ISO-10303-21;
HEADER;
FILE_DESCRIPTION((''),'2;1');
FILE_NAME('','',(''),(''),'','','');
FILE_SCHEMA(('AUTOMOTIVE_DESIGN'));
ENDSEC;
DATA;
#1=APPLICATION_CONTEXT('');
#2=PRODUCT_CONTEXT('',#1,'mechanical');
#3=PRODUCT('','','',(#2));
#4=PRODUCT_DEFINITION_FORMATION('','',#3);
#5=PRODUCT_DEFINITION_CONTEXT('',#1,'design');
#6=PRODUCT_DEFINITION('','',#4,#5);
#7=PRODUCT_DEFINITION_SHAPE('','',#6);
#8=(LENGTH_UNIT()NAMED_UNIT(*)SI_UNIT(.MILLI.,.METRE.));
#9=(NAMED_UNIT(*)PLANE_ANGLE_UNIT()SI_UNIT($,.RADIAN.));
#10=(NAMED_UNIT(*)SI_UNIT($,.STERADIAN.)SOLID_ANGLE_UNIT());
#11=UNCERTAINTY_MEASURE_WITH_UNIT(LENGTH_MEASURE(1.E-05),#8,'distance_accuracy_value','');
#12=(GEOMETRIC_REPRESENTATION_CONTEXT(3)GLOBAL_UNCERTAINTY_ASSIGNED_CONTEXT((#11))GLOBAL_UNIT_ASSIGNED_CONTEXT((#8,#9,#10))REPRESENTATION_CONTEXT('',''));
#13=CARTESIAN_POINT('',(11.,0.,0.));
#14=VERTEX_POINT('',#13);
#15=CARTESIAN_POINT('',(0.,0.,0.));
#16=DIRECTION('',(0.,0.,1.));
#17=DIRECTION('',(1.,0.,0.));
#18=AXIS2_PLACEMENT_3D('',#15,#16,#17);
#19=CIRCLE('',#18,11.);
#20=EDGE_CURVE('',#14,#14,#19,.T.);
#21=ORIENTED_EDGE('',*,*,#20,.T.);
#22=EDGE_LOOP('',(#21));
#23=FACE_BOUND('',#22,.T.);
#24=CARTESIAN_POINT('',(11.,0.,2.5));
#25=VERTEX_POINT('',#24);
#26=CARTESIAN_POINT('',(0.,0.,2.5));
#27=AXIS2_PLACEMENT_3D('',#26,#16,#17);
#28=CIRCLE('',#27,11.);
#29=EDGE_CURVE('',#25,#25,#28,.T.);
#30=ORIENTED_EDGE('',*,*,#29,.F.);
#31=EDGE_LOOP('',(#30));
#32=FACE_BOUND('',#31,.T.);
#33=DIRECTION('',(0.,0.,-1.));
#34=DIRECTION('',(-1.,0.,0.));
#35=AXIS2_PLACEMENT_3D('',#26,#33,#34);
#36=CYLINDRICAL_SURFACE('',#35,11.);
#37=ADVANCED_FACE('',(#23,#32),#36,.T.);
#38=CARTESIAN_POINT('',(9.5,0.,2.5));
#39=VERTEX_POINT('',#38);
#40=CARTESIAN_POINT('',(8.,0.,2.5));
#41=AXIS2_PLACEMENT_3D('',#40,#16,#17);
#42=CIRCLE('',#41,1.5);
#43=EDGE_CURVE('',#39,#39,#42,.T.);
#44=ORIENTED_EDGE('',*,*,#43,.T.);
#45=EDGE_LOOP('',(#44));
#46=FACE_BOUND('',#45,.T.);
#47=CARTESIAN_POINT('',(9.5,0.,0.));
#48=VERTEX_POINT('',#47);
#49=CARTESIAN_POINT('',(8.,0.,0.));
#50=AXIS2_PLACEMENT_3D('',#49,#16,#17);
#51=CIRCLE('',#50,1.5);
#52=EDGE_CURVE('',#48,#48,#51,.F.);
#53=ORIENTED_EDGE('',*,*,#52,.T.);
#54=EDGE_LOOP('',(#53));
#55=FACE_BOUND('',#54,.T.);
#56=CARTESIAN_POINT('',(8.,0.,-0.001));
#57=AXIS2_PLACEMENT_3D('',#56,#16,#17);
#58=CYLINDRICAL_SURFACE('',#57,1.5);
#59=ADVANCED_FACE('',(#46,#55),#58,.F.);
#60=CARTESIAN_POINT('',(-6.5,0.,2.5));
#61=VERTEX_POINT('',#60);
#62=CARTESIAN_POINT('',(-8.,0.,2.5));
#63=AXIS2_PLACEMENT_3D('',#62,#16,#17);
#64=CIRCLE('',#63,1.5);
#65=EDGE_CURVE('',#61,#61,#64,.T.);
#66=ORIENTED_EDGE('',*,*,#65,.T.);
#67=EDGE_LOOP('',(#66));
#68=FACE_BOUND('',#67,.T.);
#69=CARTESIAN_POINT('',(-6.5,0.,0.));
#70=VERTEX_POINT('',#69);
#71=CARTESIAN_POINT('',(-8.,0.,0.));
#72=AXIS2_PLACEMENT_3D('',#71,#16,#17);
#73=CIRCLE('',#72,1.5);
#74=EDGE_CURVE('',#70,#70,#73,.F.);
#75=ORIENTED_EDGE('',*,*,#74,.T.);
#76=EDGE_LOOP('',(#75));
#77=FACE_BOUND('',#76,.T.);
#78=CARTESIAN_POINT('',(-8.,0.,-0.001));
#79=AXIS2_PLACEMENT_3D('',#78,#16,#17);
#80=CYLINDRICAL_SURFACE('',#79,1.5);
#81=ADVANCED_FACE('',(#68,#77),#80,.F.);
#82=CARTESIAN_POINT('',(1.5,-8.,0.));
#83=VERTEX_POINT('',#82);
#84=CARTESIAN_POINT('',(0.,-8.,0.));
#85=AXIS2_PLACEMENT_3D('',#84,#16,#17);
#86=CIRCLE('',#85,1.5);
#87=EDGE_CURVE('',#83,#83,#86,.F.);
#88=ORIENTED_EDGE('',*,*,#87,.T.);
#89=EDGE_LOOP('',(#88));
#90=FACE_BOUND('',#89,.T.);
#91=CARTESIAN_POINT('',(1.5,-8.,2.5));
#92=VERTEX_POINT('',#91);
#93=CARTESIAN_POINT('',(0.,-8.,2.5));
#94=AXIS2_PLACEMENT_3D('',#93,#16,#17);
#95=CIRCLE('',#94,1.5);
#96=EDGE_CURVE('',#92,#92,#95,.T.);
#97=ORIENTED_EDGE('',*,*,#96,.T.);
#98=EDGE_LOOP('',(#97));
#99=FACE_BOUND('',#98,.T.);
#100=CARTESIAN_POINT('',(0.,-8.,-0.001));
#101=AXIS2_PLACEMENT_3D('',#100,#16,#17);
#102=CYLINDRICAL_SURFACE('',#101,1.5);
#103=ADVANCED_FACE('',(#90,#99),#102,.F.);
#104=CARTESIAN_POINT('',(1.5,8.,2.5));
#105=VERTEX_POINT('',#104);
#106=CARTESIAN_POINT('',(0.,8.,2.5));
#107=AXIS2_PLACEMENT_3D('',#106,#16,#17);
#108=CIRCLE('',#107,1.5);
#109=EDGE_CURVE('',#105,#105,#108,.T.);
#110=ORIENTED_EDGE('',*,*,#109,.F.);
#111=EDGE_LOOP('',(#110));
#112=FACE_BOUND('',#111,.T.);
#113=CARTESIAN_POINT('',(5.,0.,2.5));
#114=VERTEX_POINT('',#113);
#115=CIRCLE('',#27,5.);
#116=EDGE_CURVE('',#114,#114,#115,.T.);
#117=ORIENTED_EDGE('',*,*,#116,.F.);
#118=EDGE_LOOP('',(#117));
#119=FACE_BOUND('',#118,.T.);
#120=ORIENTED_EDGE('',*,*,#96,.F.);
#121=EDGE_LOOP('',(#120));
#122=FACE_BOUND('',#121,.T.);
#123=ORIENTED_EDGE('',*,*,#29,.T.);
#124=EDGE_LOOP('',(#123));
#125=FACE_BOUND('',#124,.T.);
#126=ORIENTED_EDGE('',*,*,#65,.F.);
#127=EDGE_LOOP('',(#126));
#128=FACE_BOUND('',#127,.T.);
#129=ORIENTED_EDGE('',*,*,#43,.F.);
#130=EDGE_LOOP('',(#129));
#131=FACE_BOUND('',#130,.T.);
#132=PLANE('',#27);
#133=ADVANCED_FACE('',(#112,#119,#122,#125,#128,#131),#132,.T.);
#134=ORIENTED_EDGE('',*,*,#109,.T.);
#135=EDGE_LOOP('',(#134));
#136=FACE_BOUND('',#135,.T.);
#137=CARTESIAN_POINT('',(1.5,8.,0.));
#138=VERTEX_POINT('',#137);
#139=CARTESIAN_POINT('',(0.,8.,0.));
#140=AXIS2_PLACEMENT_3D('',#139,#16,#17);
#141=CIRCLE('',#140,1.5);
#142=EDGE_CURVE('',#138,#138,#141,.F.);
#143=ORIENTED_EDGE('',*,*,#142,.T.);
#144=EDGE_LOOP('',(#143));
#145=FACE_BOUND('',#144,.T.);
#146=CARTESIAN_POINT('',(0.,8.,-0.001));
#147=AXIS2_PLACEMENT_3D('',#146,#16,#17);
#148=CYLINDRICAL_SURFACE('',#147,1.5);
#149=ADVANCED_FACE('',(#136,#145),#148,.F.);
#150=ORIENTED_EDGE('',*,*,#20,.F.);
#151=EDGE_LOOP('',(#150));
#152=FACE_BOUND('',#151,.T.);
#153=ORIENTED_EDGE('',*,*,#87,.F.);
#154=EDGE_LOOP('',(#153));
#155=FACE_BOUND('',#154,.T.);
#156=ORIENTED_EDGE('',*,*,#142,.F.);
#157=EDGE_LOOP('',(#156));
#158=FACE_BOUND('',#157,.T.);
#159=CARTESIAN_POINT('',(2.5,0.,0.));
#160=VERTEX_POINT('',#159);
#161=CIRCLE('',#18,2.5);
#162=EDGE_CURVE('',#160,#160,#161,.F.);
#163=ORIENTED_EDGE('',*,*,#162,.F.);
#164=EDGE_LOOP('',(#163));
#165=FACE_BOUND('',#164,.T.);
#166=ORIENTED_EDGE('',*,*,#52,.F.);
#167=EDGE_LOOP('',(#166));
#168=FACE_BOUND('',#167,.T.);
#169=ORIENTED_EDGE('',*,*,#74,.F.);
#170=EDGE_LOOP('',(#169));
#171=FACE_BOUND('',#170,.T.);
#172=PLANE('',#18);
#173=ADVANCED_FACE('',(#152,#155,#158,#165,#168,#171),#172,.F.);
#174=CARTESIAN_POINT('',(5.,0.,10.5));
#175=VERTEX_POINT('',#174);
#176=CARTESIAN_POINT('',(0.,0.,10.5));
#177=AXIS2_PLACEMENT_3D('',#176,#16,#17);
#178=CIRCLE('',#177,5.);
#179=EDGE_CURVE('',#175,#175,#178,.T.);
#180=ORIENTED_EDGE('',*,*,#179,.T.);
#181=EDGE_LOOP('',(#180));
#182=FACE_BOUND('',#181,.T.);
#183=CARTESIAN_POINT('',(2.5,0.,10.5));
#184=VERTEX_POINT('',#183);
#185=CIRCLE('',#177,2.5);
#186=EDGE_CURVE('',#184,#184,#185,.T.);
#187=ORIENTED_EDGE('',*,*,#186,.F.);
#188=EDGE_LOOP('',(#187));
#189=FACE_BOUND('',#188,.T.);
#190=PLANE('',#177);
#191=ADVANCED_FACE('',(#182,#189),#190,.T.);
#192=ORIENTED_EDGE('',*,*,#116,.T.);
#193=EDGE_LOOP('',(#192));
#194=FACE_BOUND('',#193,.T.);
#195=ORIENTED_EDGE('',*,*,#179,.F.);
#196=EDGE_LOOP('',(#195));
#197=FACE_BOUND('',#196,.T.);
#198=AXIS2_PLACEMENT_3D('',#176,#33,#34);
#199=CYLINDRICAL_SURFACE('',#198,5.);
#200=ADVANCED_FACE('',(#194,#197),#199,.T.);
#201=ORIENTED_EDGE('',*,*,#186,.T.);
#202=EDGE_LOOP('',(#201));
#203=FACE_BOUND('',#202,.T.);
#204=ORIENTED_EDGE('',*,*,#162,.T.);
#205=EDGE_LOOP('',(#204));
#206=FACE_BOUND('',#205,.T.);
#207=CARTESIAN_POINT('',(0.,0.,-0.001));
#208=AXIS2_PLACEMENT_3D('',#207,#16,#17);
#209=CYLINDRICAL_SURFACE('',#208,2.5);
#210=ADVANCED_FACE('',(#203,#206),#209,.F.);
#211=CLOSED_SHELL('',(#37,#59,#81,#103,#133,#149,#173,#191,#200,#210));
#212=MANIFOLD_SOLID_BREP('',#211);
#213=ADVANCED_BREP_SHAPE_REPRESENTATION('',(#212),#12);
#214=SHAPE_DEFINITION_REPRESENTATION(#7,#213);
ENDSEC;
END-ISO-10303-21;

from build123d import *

# Parameters (mm, degrees)
SKETCH_1_R          = 11
EXTRUDE_1_DEPTH     = 2.5
SKETCH_2_R          = 5
EXTRUDE_2_DEPTH     = 8
CUT_EXTRUDE_1_REACH = 20.768
SKETCH_3_R          = 2.5
CUT_EXTRUDE_2_REACH = 19.493
SKETCH_4_R          = 1.5


with BuildPart() as part:
    # 草图1 → 凸台-拉伸1 (new body)
    with BuildSketch(Plane.XY):
        Circle(SKETCH_1_R)
    extrude(amount=EXTRUDE_1_DEPTH)

    # 草图2 → 凸台-拉伸2 (add)
    with BuildSketch(Plane.XY.offset(2.5)):
        Circle(SKETCH_2_R)
    extrude(amount=EXTRUDE_2_DEPTH)

    # 草图3 → 切除-拉伸1 (cut, up to next)
    with BuildSketch(Plane.XY.offset(10.5), mode=Mode.PRIVATE) as cut_extrude_1_sk1:
        Circle(SKETCH_3_R)
    cut_extrude_1_tool1 = extrude(cut_extrude_1_sk1.sketch, amount=-CUT_EXTRUDE_1_REACH, mode=Mode.PRIVATE) & part.part
    add(cut_extrude_1_tool1.solids().sort_by_distance((0, 0, 10.5))[0], mode=Mode.SUBTRACT)

    # 草图4 → 切除-拉伸2 (cut, up to next)
    with BuildSketch(Plane.XY.offset(2.5), mode=Mode.PRIVATE) as cut_extrude_2_sk1:
        with Locations((8, 0)):
            Circle(SKETCH_4_R)
    cut_extrude_2_tool1 = extrude(cut_extrude_2_sk1.sketch, amount=-CUT_EXTRUDE_2_REACH, mode=Mode.PRIVATE) & part.part
    # 草图4 → 切除-拉伸2 (cut, up to next)
    with BuildSketch(Plane.XY.offset(2.5), mode=Mode.PRIVATE) as cut_extrude_2_sk2:
        with Locations((0, -8)):
            Circle(SKETCH_4_R)
    cut_extrude_2_tool2 = extrude(cut_extrude_2_sk2.sketch, amount=-CUT_EXTRUDE_2_REACH, mode=Mode.PRIVATE) & part.part
    # 草图4 → 切除-拉伸2 (cut, up to next)
    with BuildSketch(Plane.XY.offset(2.5), mode=Mode.PRIVATE) as cut_extrude_2_sk3:
        with Locations((-8, 0)):
            Circle(SKETCH_4_R)
    cut_extrude_2_tool3 = extrude(cut_extrude_2_sk3.sketch, amount=-CUT_EXTRUDE_2_REACH, mode=Mode.PRIVATE) & part.part
    # 草图4 → 切除-拉伸2 (cut, up to next)
    with BuildSketch(Plane.XY.offset(2.5), mode=Mode.PRIVATE) as cut_extrude_2_sk4:
        with Locations((0, 8)):
            Circle(SKETCH_4_R)
    cut_extrude_2_tool4 = extrude(cut_extrude_2_sk4.sketch, amount=-CUT_EXTRUDE_2_REACH, mode=Mode.PRIVATE) & part.part
    add(cut_extrude_2_tool1.solids().sort_by_distance((8, 0, 2.5))[0], mode=Mode.SUBTRACT)
    add(cut_extrude_2_tool2.solids().sort_by_distance((0, -8, 2.5))[0], mode=Mode.SUBTRACT)
    add(cut_extrude_2_tool3.solids().sort_by_distance((-8, 0, 2.5))[0], mode=Mode.SUBTRACT)
    add(cut_extrude_2_tool4.solids().sort_by_distance((0, 8, 2.5))[0], mode=Mode.SUBTRACT)


solid = part.part
